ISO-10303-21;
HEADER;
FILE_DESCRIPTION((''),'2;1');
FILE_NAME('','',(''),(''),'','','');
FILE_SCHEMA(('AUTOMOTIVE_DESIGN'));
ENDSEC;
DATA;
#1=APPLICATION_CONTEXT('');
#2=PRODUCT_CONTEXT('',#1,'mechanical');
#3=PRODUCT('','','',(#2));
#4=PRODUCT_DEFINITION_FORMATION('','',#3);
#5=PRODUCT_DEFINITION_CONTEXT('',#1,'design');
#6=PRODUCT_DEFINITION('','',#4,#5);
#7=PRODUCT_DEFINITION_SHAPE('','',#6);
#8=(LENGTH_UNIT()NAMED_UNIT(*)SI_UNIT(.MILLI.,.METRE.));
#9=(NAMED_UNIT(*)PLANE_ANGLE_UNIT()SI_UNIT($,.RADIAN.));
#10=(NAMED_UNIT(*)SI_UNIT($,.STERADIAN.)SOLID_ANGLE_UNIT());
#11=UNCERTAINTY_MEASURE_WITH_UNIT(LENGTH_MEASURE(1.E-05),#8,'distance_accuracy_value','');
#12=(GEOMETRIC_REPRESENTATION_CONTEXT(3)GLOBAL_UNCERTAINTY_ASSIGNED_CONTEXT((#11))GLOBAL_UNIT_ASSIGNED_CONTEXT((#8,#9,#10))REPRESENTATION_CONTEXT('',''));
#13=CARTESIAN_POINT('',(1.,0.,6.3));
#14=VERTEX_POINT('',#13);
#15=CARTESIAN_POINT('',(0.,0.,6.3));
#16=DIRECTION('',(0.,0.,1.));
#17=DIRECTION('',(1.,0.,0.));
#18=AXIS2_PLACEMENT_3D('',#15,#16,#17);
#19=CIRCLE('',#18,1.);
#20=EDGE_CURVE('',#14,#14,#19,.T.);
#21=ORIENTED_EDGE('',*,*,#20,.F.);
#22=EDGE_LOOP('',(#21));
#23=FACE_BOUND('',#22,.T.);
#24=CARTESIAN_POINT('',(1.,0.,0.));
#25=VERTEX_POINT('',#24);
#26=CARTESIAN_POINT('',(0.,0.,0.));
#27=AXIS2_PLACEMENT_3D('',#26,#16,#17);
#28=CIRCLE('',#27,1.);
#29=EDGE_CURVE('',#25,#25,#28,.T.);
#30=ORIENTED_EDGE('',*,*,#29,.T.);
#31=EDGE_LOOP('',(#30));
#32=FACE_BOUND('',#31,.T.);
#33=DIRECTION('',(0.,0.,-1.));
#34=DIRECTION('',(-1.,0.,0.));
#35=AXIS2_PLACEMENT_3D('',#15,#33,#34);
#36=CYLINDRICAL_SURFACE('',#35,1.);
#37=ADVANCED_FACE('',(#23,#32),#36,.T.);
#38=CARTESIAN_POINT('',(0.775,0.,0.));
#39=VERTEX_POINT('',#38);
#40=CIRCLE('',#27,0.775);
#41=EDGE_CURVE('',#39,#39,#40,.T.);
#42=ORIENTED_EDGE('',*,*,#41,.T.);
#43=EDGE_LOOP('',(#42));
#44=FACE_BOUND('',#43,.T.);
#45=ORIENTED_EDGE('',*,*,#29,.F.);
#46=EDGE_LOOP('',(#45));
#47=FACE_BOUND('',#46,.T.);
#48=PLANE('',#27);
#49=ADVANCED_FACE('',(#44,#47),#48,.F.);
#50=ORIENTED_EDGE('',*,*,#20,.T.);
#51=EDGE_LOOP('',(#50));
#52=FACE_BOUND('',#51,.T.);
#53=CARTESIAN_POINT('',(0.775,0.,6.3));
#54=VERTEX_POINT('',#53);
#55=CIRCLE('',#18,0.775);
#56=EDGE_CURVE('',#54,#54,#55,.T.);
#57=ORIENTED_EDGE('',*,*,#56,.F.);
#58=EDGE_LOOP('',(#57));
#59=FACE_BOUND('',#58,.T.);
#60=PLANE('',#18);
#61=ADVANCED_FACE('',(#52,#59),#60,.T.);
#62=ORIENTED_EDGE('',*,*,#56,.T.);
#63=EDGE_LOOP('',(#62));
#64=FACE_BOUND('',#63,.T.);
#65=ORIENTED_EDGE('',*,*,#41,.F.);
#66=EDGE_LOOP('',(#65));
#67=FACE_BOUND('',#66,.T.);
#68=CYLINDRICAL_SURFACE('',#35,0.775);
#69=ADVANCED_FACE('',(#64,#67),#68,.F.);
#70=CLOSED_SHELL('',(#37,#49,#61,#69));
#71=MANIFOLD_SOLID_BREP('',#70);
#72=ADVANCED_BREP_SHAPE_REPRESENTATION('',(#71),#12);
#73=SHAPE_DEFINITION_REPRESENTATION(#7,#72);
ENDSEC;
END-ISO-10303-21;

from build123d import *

# Parameters (mm, degrees)
SKETCH_1_R      = 1
SKETCH_1_R_2    = 0.775
EXTRUDE_1_DEPTH = 6.3


with BuildPart() as part:
    # Эскиз1 → Бобышка-Вытянуть1 (new body)
    with BuildSketch(Plane.XY):
        Circle(SKETCH_1_R)
        Circle(SKETCH_1_R_2, mode=Mode.SUBTRACT)
    extrude(amount=EXTRUDE_1_DEPTH)


solid = part.part
